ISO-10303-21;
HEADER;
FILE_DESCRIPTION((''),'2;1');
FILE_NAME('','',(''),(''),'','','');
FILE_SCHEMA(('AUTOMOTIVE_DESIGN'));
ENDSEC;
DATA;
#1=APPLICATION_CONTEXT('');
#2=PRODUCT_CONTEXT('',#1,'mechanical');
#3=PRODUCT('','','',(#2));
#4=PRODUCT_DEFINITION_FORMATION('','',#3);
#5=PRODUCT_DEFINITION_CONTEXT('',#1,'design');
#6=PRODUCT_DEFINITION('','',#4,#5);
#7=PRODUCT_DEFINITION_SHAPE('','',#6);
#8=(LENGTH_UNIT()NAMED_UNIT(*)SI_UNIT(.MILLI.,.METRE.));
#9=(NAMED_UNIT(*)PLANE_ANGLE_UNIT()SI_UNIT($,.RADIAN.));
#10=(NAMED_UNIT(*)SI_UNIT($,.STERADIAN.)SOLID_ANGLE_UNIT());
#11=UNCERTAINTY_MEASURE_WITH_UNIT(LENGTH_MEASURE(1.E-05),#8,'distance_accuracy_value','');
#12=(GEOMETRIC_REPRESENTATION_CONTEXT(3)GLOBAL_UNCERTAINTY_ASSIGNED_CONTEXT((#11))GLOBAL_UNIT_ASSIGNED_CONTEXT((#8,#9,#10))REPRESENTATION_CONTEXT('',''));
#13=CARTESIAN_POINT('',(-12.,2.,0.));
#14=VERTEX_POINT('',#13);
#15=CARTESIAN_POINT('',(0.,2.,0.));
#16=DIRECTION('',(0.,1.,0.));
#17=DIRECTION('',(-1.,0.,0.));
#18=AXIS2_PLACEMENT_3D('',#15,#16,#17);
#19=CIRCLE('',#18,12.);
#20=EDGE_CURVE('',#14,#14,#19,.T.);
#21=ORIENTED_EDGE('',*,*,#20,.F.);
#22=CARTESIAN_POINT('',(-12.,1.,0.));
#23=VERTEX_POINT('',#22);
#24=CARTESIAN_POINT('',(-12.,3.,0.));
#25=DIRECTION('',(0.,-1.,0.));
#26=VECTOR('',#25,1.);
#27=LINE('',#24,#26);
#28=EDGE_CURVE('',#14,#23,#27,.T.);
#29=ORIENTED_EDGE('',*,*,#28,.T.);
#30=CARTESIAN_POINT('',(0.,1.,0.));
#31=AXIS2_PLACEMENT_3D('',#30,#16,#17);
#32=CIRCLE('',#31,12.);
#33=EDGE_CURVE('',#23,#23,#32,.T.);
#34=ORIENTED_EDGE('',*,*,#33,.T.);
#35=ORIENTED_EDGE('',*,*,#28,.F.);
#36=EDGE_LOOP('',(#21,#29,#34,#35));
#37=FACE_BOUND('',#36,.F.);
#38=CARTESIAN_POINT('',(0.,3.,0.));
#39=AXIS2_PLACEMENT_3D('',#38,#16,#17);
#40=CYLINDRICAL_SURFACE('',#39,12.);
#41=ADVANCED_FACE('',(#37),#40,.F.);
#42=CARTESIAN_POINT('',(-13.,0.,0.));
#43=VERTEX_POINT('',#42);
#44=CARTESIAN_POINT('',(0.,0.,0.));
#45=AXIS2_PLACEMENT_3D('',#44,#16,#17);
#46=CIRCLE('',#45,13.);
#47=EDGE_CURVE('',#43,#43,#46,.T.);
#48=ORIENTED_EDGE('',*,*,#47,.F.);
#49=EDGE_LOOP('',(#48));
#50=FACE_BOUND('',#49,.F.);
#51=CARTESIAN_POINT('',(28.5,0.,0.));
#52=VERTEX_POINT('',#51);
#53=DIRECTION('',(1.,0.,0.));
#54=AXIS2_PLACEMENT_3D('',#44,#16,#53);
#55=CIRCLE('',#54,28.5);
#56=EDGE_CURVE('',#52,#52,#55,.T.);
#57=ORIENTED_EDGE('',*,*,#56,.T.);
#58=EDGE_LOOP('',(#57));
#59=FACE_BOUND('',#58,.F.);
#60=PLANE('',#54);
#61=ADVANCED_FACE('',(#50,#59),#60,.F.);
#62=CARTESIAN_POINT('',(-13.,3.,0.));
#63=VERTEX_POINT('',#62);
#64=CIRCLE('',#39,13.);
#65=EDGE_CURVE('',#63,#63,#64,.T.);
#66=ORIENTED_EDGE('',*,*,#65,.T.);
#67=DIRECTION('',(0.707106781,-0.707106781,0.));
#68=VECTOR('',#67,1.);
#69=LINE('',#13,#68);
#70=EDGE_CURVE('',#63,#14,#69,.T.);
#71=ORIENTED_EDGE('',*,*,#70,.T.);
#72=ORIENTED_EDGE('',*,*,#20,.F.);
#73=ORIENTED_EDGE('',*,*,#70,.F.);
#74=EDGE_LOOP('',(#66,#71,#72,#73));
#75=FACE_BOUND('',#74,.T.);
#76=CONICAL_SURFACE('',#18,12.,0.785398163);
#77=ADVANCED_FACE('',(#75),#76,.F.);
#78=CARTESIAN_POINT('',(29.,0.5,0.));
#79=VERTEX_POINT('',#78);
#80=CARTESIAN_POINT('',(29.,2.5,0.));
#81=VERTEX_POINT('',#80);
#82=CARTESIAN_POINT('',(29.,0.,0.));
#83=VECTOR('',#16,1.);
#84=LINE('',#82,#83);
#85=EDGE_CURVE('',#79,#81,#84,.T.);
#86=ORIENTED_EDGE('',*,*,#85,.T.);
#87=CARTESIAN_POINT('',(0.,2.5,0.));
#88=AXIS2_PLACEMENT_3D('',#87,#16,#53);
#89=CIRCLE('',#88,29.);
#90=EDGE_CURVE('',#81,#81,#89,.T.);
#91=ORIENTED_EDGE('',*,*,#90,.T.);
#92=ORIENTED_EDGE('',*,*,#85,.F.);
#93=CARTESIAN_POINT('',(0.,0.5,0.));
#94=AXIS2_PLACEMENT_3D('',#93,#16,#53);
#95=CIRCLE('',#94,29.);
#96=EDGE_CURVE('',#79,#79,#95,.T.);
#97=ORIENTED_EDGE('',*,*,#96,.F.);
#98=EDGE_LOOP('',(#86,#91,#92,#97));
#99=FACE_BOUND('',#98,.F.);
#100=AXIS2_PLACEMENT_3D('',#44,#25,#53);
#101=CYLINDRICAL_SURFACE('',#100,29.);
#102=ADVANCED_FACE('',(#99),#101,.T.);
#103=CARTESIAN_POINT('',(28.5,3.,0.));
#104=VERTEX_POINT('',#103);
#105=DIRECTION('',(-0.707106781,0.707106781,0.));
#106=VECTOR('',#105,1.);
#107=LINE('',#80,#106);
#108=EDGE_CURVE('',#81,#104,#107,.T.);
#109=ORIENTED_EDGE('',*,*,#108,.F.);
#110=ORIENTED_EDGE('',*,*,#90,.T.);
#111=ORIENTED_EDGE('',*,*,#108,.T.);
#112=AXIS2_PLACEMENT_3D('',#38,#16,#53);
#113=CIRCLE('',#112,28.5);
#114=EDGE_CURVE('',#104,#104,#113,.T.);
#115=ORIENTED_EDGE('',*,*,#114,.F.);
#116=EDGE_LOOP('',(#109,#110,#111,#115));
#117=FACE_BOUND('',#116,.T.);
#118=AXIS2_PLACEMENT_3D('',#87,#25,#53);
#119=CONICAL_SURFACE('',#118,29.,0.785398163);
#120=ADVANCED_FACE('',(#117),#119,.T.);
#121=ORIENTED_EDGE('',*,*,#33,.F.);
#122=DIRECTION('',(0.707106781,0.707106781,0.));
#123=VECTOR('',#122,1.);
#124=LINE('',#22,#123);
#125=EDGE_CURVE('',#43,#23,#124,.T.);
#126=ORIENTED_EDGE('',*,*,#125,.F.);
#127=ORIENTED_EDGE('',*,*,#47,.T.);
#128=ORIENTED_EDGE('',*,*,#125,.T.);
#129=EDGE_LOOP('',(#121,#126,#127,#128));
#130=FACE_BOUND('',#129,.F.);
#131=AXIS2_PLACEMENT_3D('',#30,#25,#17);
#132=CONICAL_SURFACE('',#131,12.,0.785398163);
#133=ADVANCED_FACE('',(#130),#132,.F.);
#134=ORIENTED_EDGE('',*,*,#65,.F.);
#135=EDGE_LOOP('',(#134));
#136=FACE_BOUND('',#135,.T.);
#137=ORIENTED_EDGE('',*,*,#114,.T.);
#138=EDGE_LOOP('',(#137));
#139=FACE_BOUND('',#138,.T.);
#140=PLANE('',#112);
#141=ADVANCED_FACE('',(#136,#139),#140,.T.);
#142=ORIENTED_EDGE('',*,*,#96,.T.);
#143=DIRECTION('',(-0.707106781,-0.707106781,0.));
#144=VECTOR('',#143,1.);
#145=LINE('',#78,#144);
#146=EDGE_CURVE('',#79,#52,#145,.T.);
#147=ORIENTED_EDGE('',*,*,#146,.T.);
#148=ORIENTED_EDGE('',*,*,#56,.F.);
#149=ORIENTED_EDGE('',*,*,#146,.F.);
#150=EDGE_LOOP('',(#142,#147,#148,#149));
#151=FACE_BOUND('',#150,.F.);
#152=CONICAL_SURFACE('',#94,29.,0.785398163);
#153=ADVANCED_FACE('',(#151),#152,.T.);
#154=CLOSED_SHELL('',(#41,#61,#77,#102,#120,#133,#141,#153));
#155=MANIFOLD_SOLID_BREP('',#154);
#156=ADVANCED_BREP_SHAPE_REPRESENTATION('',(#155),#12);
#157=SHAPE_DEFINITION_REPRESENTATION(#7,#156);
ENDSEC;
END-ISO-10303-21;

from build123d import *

# Parameters (mm, degrees)
SKETCH1_R          = 29
EXTRUDE1_DEPTH     = 3
SKETCH2_R          = 12
CUT_EXTRUDE1_DEPTH = 4
CHAMFER1_SIZE      = 0.5
CHAMFER2_SIZE      = 1


with BuildPart() as part:
    # Sketch1 → Extrude1 (new body)
    with BuildSketch(Plane(origin=(0, 0, 0), x_dir=(1, 0, 0), z_dir=(0, 1, 0))):
        Circle(SKETCH1_R)
    extrude(amount=EXTRUDE1_DEPTH)

    # Sketch2 → Cut-Extrude1 (cut, through all)
    with BuildSketch(Plane(origin=(0, 3, 0), x_dir=(-1, 0, 0), z_dir=(0, 1, 0))):
        Circle(SKETCH2_R)
    extrude(amount=-CUT_EXTRUDE1_DEPTH, mode=Mode.SUBTRACT)

    # Chamfer1
    chamfer1_edges = [part.edges().sort_by_distance(p)[0] for p in [
        (-29, 0, 0),
        (-29, 3, 0),
    ]]
    chamfer(chamfer1_edges, length=CHAMFER1_SIZE)

    # Chamfer2
    chamfer2_edges = [part.edges().sort_by_distance(p)[0] for p in [
        (12, 0, 0),
        (12, 3, 0),
    ]]
    chamfer(chamfer2_edges, length=CHAMFER2_SIZE)


solid = part.part
